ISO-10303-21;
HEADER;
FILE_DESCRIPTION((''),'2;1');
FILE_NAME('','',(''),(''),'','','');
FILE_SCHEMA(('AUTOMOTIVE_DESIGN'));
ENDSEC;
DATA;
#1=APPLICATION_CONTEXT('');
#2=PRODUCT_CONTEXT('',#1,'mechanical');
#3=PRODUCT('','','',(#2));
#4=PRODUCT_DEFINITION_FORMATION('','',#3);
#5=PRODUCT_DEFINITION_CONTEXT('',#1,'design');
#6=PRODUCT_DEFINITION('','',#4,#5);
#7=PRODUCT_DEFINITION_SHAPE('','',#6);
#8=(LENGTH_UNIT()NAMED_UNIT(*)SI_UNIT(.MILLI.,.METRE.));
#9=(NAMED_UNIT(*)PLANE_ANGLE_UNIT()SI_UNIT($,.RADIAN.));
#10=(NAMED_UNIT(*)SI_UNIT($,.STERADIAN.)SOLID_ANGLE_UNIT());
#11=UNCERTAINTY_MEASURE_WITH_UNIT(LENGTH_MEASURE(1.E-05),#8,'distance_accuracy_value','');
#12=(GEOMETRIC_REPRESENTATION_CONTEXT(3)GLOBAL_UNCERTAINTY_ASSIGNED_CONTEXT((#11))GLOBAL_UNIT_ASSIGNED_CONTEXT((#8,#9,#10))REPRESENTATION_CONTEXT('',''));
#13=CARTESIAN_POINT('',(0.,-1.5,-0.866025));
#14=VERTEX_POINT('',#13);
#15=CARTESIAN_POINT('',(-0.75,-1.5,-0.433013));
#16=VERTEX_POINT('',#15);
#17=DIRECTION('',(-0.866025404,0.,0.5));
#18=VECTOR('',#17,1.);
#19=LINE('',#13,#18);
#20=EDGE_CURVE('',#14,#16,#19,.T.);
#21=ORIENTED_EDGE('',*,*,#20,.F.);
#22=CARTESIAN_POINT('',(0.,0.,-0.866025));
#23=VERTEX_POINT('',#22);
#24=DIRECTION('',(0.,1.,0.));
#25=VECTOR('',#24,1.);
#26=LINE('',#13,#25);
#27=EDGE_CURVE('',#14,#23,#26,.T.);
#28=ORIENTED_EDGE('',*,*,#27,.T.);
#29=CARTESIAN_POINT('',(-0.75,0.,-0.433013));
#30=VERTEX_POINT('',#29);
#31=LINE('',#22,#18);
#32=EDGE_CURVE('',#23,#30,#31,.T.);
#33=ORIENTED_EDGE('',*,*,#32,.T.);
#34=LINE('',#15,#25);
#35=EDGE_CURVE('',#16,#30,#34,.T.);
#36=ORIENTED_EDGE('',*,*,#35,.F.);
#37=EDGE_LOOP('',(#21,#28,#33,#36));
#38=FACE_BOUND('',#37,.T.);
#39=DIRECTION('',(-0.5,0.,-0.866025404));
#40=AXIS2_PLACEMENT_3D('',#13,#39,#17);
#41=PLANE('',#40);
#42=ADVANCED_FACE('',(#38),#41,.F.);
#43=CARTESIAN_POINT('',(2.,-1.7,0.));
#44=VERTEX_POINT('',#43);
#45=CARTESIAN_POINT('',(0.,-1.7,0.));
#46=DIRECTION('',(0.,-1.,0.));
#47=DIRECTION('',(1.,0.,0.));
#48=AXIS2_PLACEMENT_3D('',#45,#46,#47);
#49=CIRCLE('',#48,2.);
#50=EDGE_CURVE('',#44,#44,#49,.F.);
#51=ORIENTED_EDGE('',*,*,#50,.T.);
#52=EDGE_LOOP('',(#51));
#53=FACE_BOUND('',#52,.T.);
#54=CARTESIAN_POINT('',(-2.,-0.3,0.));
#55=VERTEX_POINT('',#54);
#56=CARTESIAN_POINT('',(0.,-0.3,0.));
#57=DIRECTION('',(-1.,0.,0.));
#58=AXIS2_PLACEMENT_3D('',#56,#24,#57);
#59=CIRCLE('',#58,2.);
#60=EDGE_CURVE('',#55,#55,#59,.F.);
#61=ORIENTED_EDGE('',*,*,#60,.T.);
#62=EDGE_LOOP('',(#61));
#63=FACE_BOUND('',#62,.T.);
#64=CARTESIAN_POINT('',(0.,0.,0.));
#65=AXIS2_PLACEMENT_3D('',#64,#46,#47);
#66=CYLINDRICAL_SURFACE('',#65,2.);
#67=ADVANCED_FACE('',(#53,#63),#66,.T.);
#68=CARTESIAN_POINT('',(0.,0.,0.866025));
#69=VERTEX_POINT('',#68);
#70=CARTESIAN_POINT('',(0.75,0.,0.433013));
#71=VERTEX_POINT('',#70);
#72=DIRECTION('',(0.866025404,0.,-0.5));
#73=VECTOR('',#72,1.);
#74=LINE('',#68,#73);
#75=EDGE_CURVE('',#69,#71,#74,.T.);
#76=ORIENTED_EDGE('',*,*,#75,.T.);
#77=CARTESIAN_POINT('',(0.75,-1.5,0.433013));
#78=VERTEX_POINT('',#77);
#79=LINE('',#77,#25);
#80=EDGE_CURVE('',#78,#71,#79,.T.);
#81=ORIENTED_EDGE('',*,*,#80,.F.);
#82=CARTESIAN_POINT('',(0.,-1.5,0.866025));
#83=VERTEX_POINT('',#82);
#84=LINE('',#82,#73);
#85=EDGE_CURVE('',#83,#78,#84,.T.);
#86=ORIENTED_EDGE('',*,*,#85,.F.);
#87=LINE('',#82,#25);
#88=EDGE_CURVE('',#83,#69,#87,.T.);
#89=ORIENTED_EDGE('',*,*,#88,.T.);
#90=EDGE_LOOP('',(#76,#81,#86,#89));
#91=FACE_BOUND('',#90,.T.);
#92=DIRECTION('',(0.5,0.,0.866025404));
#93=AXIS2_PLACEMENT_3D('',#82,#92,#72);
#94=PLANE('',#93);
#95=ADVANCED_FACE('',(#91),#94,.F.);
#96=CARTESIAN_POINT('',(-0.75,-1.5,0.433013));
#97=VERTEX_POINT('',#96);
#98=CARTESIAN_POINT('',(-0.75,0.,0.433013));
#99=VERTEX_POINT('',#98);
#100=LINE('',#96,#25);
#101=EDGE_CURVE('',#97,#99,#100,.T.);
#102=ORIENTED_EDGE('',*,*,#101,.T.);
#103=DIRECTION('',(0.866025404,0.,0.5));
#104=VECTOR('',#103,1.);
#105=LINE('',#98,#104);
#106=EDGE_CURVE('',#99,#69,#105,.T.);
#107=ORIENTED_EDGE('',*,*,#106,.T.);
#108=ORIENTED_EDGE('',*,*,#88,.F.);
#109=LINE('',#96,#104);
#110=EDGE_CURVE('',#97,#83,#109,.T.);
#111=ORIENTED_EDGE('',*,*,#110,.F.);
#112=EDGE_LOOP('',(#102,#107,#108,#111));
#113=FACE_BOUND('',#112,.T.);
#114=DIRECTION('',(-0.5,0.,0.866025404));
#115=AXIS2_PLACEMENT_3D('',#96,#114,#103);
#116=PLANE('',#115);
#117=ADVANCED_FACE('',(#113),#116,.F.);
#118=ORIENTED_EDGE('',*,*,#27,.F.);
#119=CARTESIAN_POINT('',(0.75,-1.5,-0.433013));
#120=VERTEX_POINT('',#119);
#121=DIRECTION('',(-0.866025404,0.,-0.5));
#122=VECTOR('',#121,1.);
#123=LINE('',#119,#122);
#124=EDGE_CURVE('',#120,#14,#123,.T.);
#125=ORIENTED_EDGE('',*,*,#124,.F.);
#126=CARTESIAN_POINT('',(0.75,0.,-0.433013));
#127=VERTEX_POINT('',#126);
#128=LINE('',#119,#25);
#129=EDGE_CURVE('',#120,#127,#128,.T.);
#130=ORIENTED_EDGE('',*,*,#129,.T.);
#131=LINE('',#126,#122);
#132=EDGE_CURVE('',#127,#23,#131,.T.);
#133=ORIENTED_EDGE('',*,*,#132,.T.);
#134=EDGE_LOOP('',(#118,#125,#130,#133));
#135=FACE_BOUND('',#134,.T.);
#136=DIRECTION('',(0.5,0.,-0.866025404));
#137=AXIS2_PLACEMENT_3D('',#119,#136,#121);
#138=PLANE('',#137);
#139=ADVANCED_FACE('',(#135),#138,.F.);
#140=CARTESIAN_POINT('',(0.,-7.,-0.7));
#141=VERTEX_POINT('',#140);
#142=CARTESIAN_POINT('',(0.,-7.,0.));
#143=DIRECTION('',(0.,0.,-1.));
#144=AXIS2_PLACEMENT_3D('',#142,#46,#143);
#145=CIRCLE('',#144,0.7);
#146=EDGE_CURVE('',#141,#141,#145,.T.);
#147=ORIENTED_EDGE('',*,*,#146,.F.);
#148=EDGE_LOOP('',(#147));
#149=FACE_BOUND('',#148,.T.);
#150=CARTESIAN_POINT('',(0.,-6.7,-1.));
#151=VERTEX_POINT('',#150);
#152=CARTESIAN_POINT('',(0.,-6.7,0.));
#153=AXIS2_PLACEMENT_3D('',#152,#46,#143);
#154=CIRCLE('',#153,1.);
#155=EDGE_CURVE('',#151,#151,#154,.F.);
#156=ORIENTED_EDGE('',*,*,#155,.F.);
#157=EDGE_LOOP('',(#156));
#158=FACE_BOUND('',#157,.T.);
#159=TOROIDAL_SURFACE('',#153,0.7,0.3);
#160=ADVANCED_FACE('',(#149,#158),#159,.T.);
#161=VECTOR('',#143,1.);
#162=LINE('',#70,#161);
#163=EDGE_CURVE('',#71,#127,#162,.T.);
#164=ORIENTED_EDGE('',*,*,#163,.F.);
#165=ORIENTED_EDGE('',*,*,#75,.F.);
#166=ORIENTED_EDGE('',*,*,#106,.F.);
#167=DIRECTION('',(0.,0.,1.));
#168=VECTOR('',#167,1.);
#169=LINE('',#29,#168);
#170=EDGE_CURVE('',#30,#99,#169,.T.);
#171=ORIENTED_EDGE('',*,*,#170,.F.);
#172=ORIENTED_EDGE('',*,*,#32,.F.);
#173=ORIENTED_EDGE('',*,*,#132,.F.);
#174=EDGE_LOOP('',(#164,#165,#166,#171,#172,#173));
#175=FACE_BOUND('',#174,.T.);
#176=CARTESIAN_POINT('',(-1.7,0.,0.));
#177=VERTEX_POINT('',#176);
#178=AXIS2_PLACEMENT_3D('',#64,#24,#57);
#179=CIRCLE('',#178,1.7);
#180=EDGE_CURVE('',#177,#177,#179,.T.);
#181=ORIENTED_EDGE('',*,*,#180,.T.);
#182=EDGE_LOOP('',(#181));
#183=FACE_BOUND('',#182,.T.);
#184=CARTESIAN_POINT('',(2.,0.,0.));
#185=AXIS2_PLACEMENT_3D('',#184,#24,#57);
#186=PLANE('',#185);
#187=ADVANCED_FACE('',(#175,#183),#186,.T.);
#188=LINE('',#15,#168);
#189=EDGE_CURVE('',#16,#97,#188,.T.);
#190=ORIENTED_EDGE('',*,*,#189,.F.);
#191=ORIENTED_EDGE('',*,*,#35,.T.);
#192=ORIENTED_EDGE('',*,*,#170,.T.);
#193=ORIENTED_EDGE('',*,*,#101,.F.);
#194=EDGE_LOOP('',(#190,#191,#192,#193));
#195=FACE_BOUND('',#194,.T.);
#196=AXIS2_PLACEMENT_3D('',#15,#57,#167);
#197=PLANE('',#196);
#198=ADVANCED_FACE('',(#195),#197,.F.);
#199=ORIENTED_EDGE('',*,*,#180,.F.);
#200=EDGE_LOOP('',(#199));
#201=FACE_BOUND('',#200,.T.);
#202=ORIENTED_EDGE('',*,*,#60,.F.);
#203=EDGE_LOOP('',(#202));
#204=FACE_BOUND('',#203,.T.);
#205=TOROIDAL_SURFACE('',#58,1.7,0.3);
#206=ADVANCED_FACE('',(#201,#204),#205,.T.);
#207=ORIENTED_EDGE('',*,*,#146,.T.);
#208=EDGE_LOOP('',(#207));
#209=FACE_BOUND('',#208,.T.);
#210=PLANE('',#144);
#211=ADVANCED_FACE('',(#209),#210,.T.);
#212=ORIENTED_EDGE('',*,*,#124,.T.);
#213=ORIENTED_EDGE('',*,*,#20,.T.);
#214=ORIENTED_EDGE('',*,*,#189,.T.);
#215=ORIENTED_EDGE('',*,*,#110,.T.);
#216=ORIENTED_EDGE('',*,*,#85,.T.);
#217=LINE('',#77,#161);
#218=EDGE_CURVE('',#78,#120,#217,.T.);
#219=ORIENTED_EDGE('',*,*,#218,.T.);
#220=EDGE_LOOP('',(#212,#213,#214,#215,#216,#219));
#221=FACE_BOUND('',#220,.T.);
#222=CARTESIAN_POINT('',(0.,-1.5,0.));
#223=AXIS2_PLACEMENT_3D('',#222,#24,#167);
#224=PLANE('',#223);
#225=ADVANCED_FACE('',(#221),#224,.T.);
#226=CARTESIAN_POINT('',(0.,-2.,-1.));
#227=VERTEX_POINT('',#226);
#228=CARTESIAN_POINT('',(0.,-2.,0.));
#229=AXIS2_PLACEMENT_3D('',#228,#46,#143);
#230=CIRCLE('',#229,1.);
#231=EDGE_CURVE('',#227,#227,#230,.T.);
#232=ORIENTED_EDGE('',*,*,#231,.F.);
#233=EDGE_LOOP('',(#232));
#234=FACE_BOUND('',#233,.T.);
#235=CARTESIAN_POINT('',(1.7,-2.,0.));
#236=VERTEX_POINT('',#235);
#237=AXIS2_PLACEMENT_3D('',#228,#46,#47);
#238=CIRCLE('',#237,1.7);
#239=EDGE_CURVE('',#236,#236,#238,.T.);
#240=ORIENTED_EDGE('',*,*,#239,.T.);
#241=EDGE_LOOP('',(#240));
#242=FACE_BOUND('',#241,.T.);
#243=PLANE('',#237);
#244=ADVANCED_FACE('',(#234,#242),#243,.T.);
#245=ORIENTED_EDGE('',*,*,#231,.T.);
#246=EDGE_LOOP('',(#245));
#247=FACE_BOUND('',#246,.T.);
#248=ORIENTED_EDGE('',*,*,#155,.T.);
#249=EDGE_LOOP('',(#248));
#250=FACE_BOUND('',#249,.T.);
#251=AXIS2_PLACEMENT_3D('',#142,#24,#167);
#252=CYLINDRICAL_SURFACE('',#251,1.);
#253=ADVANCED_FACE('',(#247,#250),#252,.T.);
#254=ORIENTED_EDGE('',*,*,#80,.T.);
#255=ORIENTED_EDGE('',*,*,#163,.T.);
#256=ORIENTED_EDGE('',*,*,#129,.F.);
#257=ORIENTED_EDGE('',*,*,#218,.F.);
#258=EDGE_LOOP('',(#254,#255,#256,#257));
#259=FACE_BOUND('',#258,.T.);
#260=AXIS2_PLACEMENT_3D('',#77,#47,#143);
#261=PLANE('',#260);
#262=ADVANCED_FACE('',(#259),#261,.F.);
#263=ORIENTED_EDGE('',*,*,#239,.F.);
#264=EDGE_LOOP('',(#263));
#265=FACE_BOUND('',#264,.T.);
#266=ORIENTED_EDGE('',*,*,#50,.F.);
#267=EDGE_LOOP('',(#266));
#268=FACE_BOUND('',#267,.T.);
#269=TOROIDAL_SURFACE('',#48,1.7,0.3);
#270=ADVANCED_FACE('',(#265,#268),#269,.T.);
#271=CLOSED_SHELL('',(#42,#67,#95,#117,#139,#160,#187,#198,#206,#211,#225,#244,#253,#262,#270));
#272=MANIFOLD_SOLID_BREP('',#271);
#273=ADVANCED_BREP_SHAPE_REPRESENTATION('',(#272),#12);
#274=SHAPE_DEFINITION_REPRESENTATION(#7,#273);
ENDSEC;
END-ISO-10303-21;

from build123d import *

# Parameters (mm, degrees)
SKETCH_1_W          = 2
SKETCH_1_H          = 2
SKETCH_2_R          = 1
EXTRUDE_1_DEPTH     = 5
CUT_EXTRUDE_1_DEPTH = 1.5
FILLET_1_R          = 0.3


with BuildPart() as part:
    # 草图1 → 旋转1 (revolve)
    with BuildSketch(Plane.XY):
        with Locations((1, -1)):
            Rectangle(SKETCH_1_W, SKETCH_1_H)
    revolve(axis=Axis((0, 0, 0), (0, -1, 0)))

    # 草图2 → 凸台-拉伸1 (add)
    with BuildSketch(Plane.XZ.offset(2)):
        Circle(SKETCH_2_R)
    extrude(amount=EXTRUDE_1_DEPTH)

    # 草图3 → 切除-拉伸1 (cut)
    with BuildSketch(Plane(origin=(0, 0, 0), x_dir=(-1, 0, 0), z_dir=(0, 1, 0))):
        Polygon((0, -0.866025404), (0.75, -0.433012702), (0.75, 0.433012702), (0, 0.866025404), (-0.75, 0.433012702), (-0.75, -0.433012702), align=None)
    extrude(amount=-CUT_EXTRUDE_1_DEPTH, mode=Mode.SUBTRACT)

    # 圆角1
    fillet_1_edges = [part.edges().sort_by_distance(p)[0] for p in [
        (-1, -7, 0),
        (-2, -2, 0),
        (-2, 0, 0),
    ]]
    fillet(fillet_1_edges, radius=FILLET_1_R)


solid = part.part
